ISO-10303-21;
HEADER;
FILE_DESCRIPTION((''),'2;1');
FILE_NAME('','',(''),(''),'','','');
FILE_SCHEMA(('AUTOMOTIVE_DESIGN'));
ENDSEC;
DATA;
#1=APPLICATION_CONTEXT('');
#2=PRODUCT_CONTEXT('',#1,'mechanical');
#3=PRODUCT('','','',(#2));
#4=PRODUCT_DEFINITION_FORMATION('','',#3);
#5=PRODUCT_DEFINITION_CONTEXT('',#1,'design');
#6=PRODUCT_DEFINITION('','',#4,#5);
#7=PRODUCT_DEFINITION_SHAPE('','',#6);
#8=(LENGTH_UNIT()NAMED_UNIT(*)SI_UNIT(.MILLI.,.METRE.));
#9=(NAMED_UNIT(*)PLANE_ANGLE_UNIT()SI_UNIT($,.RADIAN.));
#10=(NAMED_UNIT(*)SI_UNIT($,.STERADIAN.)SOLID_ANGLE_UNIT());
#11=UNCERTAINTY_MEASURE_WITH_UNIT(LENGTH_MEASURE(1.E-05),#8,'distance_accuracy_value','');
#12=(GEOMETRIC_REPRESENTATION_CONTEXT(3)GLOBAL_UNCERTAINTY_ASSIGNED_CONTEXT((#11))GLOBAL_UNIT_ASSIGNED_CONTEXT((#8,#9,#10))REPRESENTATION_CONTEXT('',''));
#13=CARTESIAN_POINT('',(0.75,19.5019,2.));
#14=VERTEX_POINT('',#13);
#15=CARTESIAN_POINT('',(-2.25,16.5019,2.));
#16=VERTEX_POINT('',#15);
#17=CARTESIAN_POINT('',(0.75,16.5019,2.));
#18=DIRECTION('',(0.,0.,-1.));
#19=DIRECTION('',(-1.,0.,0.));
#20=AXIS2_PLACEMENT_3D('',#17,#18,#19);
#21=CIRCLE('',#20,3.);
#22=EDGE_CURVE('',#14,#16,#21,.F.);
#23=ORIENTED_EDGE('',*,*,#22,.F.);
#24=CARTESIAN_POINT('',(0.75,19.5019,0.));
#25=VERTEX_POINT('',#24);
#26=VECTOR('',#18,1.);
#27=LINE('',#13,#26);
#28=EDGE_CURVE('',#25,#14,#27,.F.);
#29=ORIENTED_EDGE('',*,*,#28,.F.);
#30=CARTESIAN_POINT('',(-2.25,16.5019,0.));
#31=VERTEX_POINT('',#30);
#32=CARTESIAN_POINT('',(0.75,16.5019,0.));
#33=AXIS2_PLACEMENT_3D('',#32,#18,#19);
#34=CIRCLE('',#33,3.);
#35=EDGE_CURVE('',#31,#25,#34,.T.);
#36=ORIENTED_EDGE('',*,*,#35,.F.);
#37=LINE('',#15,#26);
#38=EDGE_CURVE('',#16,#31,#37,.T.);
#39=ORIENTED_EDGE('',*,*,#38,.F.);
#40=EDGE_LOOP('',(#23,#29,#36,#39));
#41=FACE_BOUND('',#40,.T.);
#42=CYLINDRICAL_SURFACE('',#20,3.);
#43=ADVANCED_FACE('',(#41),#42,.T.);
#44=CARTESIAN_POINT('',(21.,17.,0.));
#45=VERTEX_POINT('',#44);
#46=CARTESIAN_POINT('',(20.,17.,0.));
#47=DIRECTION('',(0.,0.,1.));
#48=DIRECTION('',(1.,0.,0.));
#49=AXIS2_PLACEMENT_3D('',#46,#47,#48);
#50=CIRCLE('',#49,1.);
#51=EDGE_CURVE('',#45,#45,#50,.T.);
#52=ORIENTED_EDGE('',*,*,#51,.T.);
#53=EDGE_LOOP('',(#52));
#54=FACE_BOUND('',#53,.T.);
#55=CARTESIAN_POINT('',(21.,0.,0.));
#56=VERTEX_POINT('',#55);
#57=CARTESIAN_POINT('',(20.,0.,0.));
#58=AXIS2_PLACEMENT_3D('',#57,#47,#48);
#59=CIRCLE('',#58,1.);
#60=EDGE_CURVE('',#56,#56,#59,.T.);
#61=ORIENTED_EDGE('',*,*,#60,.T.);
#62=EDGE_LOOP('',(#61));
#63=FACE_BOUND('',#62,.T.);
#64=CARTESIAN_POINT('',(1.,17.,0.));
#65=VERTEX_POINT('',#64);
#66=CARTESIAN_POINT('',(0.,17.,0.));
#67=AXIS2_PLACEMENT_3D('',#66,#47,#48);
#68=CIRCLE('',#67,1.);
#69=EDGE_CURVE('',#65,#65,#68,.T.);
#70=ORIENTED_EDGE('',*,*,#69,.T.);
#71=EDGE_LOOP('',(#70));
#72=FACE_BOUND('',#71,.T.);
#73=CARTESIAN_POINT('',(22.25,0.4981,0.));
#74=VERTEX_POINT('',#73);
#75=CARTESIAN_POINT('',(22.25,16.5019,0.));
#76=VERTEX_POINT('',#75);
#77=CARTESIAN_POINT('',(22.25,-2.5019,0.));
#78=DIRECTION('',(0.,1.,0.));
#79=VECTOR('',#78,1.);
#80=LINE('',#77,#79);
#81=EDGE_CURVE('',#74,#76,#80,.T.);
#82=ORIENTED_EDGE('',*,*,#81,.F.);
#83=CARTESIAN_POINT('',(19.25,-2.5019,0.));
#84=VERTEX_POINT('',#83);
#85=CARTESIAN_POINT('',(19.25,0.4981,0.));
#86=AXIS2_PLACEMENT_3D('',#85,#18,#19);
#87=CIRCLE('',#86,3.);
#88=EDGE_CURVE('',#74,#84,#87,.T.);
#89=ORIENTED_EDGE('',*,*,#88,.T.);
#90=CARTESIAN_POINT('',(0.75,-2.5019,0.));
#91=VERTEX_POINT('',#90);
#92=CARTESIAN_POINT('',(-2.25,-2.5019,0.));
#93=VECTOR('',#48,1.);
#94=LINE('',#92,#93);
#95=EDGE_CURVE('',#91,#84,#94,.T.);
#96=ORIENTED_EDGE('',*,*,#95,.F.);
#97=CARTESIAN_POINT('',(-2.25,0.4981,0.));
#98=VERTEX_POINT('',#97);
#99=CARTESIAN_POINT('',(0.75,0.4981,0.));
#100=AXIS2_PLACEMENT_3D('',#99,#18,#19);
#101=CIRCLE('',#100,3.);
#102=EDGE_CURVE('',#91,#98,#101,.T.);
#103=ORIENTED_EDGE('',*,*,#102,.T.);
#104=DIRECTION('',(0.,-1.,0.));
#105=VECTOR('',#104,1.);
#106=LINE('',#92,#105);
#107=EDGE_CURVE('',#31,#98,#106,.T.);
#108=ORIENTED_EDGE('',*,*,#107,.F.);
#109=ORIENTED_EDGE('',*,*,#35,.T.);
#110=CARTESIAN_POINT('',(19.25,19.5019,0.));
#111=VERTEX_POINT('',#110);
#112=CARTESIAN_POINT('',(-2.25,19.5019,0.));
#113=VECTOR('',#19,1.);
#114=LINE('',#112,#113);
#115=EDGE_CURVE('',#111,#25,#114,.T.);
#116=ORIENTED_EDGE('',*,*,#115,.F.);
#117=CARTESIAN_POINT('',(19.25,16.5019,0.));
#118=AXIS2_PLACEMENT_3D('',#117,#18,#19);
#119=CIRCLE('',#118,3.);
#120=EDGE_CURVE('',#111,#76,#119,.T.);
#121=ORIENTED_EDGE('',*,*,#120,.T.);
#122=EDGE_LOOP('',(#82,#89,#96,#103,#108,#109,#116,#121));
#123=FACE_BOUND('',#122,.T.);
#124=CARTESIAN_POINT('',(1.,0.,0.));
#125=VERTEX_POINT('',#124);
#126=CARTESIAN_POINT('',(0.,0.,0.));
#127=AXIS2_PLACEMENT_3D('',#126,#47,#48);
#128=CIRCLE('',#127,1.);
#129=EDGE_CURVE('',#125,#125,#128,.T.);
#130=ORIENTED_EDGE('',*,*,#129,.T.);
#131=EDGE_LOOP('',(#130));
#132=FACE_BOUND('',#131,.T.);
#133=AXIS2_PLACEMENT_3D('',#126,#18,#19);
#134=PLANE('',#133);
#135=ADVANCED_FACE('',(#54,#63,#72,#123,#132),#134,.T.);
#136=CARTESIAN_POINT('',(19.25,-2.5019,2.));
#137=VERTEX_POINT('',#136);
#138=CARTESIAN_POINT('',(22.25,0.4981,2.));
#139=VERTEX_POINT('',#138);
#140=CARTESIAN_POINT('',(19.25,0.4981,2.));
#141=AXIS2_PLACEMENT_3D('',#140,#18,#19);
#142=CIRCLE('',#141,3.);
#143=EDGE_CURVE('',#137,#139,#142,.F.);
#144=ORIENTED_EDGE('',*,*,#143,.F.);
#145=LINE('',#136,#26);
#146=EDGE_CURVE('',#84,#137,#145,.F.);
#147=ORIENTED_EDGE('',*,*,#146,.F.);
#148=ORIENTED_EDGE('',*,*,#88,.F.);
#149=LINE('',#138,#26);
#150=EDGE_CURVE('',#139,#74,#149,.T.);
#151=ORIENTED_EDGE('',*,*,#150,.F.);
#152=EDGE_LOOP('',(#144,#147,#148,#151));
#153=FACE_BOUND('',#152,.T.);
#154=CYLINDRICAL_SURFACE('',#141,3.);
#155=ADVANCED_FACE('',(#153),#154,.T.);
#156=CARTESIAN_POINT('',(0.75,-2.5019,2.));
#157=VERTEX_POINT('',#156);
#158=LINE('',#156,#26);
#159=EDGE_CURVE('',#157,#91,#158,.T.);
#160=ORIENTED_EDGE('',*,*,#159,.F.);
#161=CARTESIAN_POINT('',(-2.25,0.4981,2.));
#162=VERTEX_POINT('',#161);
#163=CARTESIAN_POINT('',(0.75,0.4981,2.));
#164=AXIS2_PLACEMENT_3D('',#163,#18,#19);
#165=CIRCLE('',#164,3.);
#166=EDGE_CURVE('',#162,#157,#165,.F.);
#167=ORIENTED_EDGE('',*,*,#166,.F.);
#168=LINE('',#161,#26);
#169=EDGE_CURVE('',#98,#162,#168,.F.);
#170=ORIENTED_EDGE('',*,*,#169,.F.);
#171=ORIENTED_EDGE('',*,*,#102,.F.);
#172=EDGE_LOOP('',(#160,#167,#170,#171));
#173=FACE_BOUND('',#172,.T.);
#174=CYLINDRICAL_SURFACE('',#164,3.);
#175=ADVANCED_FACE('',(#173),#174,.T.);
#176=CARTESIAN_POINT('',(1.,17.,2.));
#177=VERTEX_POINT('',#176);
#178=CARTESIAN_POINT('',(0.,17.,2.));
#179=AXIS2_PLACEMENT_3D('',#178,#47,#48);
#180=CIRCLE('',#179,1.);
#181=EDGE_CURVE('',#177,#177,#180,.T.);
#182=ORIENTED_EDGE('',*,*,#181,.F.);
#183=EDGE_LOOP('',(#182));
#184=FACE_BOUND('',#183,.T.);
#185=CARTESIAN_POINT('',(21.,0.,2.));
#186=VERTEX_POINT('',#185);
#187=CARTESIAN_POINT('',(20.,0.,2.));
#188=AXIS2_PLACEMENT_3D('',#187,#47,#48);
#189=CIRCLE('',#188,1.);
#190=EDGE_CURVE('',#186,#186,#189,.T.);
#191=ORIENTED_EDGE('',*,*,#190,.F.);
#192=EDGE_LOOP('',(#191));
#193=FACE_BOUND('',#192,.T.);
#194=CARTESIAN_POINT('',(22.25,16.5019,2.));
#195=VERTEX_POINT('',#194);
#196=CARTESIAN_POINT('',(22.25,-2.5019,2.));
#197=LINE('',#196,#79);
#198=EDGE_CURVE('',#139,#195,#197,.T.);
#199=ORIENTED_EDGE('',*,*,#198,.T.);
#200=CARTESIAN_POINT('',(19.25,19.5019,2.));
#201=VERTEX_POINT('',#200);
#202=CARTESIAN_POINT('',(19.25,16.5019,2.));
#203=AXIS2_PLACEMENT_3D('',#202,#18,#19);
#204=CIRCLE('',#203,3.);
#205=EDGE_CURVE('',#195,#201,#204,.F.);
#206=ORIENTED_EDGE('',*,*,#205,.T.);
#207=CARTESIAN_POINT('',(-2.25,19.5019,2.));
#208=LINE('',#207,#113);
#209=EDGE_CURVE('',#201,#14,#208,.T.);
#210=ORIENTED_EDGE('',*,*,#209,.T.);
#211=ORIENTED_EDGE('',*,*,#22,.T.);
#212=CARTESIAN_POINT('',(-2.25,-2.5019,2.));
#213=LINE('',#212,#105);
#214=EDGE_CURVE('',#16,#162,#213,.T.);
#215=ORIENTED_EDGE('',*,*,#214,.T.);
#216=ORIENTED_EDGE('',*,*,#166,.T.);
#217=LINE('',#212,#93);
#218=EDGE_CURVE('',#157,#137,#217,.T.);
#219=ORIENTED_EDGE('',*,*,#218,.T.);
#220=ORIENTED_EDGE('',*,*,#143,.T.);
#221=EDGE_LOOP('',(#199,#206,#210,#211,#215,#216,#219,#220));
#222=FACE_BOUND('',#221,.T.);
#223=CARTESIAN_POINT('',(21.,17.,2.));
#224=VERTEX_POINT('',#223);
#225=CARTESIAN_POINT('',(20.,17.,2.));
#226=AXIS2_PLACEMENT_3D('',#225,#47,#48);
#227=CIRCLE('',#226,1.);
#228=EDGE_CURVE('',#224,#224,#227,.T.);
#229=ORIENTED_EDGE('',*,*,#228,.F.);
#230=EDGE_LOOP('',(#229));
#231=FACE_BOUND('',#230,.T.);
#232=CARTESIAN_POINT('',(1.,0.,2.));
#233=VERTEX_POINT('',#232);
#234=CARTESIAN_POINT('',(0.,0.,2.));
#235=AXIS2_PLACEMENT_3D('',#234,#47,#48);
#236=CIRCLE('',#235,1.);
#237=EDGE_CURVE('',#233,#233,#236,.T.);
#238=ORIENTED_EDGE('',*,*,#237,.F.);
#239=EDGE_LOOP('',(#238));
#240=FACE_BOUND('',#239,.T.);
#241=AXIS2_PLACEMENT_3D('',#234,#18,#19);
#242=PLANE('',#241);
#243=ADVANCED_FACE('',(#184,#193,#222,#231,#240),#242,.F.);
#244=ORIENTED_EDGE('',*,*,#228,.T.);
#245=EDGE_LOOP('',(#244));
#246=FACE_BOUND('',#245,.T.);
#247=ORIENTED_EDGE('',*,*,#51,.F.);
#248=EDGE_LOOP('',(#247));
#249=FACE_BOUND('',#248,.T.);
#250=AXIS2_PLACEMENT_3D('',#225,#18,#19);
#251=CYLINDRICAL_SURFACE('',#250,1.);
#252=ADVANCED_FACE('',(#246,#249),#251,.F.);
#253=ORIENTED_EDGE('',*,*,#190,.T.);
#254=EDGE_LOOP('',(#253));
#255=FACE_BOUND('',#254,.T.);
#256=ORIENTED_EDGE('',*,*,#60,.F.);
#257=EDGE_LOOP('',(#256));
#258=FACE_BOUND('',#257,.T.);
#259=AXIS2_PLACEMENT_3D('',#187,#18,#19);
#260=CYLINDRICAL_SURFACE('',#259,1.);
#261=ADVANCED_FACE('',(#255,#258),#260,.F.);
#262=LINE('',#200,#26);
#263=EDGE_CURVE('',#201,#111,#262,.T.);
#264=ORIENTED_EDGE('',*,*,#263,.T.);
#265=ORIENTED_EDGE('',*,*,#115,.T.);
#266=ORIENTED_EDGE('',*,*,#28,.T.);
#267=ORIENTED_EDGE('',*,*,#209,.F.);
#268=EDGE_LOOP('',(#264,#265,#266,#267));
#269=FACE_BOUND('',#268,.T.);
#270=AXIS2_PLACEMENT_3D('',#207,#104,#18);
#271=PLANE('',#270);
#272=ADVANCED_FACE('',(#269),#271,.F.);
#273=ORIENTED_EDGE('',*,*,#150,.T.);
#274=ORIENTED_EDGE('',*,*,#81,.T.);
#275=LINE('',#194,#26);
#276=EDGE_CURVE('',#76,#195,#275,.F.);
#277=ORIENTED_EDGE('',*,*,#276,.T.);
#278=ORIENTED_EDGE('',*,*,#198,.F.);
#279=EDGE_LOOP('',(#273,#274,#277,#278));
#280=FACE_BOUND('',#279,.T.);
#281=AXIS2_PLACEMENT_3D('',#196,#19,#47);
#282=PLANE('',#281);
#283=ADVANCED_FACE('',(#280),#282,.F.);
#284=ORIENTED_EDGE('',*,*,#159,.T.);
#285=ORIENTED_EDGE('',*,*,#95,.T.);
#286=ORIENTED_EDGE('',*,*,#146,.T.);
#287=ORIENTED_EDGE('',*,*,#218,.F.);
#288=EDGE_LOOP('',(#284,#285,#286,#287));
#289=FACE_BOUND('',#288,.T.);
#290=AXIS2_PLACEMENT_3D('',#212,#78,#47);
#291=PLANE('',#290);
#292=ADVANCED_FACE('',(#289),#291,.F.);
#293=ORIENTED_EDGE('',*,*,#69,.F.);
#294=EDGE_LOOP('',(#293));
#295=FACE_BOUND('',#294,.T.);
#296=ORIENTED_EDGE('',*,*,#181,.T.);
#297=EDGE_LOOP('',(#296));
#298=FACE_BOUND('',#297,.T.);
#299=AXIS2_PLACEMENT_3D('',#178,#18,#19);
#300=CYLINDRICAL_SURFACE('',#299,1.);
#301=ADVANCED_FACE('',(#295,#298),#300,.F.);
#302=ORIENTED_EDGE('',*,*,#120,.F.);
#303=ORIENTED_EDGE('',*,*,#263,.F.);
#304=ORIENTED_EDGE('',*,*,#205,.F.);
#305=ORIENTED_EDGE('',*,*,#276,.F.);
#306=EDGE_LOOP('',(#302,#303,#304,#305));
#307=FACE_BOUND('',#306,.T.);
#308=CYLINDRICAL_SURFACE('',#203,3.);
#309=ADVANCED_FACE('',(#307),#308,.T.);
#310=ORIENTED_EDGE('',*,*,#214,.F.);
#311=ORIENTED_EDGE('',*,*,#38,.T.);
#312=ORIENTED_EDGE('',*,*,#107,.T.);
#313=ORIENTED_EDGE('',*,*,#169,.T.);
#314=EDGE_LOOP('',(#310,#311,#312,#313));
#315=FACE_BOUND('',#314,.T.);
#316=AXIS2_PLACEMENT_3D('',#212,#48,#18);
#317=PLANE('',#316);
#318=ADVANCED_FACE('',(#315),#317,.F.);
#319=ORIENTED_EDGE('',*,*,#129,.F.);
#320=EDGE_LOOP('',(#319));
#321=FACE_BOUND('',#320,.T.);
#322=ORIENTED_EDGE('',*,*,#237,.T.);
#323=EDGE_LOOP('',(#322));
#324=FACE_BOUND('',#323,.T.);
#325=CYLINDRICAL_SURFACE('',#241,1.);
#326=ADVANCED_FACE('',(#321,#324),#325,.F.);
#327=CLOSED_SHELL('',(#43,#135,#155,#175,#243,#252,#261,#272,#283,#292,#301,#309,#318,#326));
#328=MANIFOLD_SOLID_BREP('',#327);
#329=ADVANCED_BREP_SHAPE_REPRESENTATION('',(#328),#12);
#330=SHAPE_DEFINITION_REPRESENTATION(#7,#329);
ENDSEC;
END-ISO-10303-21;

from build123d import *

# Parameters (mm, degrees)
SCHIZZO1_W                   = 24.5
SCHIZZO1_H                   = 22.0038
SCHIZZO1_R                   = 1
ESTRUSIONE_ESTRUSIONE1_DEPTH = 2
RACCORDO1_R                  = 3


with BuildPart() as part:
    # Schizzo1 → Estrusione-Estrusione1 (new body)
    with BuildSketch(Plane.XY):
        with Locations((10, 8.5)):
            Rectangle(SCHIZZO1_W, SCHIZZO1_H)
        Circle(SCHIZZO1_R, mode=Mode.SUBTRACT)
        with Locations((20, 0)):
            Circle(SCHIZZO1_R, mode=Mode.SUBTRACT)
        with Locations((20, 17)):
            Circle(SCHIZZO1_R, mode=Mode.SUBTRACT)
        with Locations((0, 17)):
            Circle(SCHIZZO1_R, mode=Mode.SUBTRACT)
    extrude(amount=ESTRUSIONE_ESTRUSIONE1_DEPTH)

    # Raccordo1
    raccordo1_edges = [part.edges().sort_by_distance(p)[0] for p in [
        (22.25, -2.5019, 1),
        (-2.25, -2.5019, 1),
        (-2.25, 19.5019, 1),
        (22.25, 19.5019, 1),
    ]]
    fillet(raccordo1_edges, radius=RACCORDO1_R)


solid = part.part
